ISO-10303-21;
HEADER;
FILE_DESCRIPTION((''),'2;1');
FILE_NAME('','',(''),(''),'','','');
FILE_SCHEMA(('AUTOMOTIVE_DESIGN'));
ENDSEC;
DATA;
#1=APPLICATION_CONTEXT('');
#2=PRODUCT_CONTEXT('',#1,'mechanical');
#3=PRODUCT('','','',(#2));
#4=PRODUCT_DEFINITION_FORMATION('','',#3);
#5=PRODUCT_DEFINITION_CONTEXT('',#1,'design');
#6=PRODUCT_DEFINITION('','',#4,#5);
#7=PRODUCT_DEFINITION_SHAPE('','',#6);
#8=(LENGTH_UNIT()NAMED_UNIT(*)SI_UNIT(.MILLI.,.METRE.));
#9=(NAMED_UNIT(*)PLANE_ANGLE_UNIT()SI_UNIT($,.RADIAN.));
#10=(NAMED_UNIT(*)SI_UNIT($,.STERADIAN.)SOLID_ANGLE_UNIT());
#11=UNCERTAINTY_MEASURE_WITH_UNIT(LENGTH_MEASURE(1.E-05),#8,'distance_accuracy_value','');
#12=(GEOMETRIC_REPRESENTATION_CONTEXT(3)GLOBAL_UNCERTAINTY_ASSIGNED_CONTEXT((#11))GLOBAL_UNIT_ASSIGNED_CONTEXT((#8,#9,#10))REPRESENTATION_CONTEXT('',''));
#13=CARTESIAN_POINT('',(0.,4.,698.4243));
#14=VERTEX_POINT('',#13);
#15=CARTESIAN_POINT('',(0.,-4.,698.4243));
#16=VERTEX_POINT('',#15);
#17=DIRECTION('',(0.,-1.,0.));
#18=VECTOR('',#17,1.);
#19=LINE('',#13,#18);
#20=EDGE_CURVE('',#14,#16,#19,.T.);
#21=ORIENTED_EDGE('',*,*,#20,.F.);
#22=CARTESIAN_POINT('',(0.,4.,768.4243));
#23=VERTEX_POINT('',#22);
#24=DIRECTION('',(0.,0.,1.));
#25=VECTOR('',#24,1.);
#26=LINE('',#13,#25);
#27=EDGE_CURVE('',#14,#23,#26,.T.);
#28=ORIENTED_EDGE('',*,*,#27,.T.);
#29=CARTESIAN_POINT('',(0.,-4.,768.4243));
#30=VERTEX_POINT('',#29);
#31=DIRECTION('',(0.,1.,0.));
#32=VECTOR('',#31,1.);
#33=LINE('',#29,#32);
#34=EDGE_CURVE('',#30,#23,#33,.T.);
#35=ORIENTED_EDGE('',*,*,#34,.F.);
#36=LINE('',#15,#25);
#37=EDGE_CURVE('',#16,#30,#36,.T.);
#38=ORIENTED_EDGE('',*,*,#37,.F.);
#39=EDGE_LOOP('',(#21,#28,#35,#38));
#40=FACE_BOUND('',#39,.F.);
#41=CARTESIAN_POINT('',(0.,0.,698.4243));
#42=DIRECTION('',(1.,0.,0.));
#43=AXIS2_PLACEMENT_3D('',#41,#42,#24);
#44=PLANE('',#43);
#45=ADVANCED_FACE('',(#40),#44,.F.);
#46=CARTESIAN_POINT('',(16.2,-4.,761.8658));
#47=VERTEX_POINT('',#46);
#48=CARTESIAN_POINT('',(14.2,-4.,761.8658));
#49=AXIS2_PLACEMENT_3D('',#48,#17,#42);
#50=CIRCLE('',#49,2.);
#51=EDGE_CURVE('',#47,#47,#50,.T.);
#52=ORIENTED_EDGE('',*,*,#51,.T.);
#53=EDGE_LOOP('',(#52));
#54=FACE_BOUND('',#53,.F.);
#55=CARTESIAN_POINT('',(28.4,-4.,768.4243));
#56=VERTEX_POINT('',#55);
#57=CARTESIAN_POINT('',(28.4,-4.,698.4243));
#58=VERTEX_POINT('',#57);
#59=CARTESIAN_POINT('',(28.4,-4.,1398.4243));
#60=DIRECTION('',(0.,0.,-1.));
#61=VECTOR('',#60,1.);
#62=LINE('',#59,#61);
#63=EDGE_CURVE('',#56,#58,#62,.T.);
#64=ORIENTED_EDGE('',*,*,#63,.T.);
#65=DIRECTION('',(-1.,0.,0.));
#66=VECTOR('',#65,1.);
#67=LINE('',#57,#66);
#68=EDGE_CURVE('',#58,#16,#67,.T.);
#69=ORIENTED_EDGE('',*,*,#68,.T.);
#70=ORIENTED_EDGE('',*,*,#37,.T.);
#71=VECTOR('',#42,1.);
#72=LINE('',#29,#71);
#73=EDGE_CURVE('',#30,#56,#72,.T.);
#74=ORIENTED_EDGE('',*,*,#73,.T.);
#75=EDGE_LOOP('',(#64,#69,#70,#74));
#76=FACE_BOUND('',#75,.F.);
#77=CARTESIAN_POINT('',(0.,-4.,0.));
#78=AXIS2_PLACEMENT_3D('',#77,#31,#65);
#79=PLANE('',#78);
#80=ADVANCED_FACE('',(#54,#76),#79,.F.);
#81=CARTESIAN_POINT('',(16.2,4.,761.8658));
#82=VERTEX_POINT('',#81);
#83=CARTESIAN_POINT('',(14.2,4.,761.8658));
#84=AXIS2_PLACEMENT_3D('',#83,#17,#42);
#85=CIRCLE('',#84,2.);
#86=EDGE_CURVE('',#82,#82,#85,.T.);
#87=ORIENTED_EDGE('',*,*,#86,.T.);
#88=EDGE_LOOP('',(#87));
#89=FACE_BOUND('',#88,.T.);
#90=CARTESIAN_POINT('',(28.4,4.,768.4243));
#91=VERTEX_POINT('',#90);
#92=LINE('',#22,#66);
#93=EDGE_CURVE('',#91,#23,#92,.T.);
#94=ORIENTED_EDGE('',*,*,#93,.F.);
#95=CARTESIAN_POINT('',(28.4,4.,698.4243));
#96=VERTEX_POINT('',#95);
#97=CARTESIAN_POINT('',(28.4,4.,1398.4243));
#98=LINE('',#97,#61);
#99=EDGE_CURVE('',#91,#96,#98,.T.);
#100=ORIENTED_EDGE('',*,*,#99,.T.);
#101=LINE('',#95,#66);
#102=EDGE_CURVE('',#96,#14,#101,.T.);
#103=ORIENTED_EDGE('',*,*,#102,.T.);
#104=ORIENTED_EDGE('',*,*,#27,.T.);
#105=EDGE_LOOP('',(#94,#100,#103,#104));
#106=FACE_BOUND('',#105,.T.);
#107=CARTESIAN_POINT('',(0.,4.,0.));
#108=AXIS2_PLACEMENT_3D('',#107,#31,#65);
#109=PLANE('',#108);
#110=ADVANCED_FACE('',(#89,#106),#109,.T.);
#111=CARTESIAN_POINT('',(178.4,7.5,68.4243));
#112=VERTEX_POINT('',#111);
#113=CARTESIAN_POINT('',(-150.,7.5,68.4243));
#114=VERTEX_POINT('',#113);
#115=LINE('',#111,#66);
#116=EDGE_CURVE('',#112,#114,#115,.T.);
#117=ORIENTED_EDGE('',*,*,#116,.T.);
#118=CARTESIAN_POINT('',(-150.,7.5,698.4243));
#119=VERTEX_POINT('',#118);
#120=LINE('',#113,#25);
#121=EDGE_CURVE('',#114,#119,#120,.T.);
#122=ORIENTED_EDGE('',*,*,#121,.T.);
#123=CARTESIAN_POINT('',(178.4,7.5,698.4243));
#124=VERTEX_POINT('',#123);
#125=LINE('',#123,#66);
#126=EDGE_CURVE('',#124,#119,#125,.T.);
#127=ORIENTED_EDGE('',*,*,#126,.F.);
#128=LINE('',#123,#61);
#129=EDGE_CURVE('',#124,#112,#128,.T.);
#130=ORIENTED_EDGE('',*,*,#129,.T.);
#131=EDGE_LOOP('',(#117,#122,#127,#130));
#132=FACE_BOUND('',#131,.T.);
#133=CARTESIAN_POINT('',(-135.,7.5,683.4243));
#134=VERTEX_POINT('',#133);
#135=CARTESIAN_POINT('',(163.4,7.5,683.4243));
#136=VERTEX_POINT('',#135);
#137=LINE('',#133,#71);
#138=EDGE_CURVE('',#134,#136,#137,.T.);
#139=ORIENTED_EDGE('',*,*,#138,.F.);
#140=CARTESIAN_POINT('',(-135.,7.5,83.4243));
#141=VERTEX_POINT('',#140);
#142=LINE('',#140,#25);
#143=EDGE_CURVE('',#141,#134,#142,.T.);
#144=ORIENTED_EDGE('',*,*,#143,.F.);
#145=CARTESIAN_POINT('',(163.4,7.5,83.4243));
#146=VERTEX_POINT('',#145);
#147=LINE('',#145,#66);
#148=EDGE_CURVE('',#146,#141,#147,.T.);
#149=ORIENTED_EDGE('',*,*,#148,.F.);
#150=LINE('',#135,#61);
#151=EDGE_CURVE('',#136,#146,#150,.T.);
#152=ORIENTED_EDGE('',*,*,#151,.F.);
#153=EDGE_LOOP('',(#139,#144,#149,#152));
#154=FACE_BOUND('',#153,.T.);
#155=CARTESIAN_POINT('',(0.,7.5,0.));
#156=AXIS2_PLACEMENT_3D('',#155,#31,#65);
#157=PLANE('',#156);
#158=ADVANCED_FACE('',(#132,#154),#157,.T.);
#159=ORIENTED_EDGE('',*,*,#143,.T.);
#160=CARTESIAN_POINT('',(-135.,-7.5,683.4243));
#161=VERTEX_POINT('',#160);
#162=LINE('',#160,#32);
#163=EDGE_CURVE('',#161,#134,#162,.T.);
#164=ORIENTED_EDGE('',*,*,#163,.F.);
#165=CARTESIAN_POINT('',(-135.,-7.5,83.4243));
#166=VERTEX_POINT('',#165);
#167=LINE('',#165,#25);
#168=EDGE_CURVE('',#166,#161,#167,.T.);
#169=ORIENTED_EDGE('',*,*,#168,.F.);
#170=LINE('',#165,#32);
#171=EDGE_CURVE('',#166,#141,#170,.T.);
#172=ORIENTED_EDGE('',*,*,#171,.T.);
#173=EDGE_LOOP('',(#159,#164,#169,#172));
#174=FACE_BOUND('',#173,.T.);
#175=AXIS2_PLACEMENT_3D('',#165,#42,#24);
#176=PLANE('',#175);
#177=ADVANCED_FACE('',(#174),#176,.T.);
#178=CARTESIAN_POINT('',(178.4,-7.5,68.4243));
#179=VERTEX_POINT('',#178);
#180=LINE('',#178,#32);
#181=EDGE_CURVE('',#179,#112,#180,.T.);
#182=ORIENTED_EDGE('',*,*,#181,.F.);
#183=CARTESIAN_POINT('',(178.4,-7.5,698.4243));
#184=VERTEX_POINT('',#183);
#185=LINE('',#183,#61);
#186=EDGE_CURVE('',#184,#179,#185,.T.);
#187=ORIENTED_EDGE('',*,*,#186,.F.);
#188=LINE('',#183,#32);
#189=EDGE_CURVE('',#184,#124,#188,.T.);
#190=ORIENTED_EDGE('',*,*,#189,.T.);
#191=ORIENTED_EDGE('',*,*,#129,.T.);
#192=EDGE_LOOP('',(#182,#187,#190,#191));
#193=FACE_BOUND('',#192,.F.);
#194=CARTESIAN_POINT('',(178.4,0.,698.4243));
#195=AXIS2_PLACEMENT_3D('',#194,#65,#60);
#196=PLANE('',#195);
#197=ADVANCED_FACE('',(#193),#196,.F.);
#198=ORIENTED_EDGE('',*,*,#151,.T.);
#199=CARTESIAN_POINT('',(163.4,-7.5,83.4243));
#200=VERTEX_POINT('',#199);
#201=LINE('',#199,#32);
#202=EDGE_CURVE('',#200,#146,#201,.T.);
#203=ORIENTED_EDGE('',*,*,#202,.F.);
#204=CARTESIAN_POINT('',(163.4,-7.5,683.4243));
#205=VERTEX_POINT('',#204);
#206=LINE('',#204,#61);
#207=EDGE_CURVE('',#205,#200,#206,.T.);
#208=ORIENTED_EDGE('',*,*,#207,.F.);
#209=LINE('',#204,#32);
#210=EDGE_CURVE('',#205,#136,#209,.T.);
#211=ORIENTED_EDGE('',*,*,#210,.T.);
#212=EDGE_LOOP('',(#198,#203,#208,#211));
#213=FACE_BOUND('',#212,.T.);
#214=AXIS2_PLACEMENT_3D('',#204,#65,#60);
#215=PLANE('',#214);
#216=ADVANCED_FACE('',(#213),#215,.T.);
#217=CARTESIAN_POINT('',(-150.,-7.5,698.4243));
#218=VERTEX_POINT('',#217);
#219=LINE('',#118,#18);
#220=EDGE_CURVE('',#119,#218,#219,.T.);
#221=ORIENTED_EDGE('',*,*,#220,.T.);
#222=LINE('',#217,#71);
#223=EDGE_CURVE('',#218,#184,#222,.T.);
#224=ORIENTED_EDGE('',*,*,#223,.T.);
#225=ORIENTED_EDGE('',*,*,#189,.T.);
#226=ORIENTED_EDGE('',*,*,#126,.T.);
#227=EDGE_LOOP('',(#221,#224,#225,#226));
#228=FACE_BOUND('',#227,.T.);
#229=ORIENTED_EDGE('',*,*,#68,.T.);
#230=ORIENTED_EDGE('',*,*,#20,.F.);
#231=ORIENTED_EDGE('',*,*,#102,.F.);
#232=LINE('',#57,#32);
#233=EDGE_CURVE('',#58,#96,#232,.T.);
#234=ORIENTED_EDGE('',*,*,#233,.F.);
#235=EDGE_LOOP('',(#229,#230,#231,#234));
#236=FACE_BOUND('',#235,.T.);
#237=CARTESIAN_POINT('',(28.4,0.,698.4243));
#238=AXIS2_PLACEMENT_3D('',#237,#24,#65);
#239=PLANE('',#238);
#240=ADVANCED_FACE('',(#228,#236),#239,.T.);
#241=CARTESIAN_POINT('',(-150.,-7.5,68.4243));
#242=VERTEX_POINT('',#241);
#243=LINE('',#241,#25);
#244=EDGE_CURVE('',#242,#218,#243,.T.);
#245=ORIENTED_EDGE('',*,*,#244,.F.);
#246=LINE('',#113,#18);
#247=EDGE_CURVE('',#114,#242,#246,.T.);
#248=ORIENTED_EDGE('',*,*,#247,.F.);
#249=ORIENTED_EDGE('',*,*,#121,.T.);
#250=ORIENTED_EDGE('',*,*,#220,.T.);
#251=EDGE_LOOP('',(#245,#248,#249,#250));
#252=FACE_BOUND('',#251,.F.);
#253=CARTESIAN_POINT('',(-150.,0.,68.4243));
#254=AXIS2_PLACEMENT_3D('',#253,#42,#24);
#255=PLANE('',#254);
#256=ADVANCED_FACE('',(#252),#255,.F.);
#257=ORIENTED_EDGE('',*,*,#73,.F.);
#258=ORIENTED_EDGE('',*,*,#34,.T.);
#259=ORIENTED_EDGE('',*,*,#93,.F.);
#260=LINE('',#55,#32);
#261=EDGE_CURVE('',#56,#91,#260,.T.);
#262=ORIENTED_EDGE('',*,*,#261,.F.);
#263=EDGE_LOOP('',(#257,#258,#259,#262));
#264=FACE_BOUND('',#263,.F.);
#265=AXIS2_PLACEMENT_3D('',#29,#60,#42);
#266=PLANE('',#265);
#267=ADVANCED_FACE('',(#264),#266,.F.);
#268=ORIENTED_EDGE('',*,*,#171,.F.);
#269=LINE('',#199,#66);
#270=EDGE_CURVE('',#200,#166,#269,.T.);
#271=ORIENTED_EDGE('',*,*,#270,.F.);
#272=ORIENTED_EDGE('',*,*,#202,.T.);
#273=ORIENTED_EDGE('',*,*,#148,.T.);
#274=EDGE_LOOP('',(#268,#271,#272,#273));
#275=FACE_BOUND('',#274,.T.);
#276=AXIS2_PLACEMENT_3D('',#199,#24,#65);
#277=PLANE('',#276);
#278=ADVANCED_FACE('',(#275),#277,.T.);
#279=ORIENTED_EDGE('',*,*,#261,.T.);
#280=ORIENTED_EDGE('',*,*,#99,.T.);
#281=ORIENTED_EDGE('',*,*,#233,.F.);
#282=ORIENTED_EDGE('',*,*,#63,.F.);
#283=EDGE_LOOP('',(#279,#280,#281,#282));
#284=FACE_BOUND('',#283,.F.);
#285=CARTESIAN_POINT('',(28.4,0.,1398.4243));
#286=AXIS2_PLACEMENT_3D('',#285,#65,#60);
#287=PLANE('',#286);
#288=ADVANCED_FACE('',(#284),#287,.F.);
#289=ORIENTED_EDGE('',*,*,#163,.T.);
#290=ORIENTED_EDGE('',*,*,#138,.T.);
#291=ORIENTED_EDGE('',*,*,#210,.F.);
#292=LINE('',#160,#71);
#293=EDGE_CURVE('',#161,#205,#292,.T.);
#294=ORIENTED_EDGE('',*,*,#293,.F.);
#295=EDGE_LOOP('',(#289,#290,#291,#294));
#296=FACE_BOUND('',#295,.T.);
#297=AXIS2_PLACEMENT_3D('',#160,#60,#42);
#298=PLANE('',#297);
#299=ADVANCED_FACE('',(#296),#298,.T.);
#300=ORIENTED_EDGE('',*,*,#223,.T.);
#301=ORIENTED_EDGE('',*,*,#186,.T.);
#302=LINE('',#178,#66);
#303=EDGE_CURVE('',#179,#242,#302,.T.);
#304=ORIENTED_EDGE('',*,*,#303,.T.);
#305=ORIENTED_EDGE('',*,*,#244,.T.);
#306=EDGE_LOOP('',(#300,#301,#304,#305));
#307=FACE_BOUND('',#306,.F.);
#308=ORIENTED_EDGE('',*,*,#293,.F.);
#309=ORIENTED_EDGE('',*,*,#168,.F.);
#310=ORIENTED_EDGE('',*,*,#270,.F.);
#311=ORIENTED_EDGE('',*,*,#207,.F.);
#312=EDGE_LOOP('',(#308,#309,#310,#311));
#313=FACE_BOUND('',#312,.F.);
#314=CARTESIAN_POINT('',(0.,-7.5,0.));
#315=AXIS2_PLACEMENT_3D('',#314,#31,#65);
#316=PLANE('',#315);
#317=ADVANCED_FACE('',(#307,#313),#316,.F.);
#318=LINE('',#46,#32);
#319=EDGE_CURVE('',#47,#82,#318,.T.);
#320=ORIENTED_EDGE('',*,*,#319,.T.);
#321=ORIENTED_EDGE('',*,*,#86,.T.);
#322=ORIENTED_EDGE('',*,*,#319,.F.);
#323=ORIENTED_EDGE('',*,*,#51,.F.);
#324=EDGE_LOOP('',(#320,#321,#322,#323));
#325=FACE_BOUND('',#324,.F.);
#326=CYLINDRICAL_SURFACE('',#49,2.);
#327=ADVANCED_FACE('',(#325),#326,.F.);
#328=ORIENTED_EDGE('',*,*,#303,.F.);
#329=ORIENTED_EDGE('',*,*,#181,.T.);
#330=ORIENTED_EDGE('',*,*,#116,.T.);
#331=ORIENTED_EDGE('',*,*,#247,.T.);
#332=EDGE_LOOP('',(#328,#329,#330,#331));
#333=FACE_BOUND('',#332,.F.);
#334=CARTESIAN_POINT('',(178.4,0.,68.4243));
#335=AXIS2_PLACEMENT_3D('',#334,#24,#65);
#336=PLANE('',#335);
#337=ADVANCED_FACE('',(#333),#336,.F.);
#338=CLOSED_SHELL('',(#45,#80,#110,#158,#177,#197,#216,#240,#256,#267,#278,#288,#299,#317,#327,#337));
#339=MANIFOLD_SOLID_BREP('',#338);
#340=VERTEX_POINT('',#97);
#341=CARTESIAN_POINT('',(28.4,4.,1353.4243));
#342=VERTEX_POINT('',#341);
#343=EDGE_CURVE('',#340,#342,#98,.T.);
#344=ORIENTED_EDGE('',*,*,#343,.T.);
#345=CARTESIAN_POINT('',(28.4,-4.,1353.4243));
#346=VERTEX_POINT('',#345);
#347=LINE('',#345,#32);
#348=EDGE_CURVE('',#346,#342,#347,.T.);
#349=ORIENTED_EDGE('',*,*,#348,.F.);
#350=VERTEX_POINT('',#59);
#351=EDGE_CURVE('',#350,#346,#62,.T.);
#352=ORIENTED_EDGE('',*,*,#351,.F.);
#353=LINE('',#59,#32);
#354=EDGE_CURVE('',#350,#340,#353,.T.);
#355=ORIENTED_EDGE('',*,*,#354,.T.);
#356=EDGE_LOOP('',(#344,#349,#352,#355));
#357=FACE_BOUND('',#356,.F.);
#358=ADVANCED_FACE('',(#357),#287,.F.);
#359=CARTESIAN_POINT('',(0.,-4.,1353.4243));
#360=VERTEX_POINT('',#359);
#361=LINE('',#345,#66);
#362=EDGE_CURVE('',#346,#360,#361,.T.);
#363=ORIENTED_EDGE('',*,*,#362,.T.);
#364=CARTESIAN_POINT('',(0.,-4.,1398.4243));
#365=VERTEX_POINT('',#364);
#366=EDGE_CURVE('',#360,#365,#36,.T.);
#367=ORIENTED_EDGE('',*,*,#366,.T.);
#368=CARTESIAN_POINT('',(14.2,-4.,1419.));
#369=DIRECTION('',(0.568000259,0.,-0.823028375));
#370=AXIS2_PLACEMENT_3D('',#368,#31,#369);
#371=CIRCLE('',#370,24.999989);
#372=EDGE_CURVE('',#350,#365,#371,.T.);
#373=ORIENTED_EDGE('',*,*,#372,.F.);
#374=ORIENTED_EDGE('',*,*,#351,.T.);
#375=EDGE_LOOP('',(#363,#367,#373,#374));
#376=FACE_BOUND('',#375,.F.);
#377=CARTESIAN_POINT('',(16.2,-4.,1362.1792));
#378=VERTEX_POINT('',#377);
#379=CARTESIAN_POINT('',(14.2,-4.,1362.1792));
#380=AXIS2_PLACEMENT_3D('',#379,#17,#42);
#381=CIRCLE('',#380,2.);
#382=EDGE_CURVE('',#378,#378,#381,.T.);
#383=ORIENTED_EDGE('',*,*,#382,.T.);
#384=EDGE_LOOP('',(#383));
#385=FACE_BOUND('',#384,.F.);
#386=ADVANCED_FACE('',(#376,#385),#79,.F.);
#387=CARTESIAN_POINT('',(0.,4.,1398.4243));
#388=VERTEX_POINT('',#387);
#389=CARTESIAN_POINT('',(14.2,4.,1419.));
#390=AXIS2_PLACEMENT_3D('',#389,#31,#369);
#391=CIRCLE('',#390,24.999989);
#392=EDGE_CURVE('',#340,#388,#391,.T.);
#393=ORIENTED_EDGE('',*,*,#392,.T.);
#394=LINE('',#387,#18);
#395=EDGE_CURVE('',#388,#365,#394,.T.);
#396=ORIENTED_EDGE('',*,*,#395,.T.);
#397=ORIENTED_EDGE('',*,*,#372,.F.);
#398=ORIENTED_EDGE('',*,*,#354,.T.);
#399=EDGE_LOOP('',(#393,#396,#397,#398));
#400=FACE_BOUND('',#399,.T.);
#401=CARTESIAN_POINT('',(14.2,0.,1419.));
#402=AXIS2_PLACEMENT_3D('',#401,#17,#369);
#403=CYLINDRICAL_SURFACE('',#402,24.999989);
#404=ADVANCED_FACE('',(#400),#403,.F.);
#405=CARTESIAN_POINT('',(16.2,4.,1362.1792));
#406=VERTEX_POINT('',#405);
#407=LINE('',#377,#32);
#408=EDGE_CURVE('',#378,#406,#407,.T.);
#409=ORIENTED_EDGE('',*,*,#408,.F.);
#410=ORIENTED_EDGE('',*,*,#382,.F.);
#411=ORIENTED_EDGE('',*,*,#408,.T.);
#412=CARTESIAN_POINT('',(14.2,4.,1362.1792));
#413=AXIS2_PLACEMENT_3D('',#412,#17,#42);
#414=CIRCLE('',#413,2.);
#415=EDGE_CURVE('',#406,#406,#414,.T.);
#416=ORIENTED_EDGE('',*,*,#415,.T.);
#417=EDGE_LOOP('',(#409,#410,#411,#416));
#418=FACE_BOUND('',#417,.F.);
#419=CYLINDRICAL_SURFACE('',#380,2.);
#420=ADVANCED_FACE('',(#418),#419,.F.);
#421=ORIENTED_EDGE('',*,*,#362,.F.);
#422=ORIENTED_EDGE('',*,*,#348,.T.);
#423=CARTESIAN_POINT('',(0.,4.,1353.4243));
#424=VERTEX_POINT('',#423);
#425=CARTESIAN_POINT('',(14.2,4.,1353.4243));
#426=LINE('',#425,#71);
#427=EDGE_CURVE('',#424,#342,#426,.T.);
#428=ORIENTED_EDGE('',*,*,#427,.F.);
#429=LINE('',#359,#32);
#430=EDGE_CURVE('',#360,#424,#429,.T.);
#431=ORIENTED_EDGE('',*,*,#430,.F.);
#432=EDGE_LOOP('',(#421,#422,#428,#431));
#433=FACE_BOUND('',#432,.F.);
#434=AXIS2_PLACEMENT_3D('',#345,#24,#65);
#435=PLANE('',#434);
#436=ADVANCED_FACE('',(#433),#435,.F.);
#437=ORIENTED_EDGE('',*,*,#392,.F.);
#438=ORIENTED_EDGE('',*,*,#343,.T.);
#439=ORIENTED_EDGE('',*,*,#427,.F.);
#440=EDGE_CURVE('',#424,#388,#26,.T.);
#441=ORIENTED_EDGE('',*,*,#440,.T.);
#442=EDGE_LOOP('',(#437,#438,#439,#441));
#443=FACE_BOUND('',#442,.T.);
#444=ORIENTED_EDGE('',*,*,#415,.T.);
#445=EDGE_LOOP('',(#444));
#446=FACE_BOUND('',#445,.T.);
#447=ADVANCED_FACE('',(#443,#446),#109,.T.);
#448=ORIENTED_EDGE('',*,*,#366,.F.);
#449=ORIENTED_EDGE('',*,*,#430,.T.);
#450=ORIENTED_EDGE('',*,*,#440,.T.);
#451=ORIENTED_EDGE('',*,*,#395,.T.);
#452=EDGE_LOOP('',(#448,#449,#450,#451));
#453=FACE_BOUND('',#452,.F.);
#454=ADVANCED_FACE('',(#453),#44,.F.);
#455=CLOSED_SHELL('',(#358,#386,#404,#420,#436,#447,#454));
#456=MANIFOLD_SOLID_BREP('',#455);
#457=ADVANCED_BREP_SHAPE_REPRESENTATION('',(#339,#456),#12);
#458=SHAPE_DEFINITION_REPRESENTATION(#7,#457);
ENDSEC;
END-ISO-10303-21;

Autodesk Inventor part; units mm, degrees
ref_plane "YZ Plane" through (0, 0, 0) normal (1, 0, 0) x (0, 1, 0)
ref_plane "XZ Plane" through (0, 0, 0) normal (0, 1, 0) x (-1, 0, 0)
sketch "Boceto2" plane through (0, 0, 0) normal (0, 1, 0) x (-1, 0, 0)
  line L0 (350, 0) -> (-350, 0)
  line L1 (-350, 0) -> (-350, 1000)
  line L2 (-120, 1500) -> (80, 1500)
  line L3 (350, 1000) -> (350, 0)
  line L4 (80, 1000) -> (80, 1500)
  line L5 (-120, 1000) -> (-120, 1500)
  line L6 (350, 1000) -> (80, 1000)
  line L7 (-120, 1000) -> (-350, 1000)
  arc A0 (-28.4, 1398.4243) -> (0, 1398.4243) centre (-14.2, 1419) ccw
  line L8 (-28.4, 1398.4243) -> (-28.4, 698.4243)
  line L9 (-28.4, 698.4243) -> (0, 698.4243)
  line L10 (0, 698.4243) -> (0, 1398.4243)
  line L11 (150, 698.4243) -> (-178.4, 698.4243)
  line L12 (-178.4, 698.4243) -> (-178.4, 68.4243)
  line L13 (-178.4, 68.4243) -> (150, 68.4243)
  line L14 (150, 68.4243) -> (150, 698.4243)
  point P0 (-14.2, 698.4243)
  dimension "d16" = 105.8
  dimension "d17" = 81
  dimension "d18" = 700
  dimension "d19" = 28.4
  dimension "d21" = 630
  dimension "d22" = 150
  dimension "d23" = 150
  dimension "d24" = 0
extrude "Extrusión1" add sketch "Boceto2" along normal mid plane 15 contours L9 L11 L14 L13 L12
extrude "Extrusión2" add sketch "Boceto2" along normal mid plane 8 contours A0 L10 L9 L8
sketch "Boceto3" plane through (0, -7.5, 0) normal (0, -1, 0) x (1, 0, 0)
  line L0 (-150, 698.4243) -> (178.4, 698.4243) projected
  line L1 (178.4, 698.4243) -> (178.4, 68.4243) projected
  line L2 (-150, 698.4243) -> (178.4, 698.4243)
  line L3 (178.4, 698.4243) -> (178.4, 68.4243)
  line L4 (178.4, 68.4243) -> (-150, 68.4243)
  line L5 (-150, 68.4243) -> (-150, 698.4243)
  line L6 (-135, 683.4243) -> (163.4, 683.4243)
  line L7 (163.4, 683.4243) -> (163.4, 83.4243)
  line L8 (163.4, 83.4243) -> (-135, 83.4243)
  line L9 (-135, 83.4243) -> (-135, 683.4243)
  point P0 (0, 0)
  dimension "d29" = 15
  dimension "d30" = 15
  dimension "d31" = 15
  dimension "d32" = 15
  dimension "d49" = 630
extrude "Extrusión3" cut sketch "Boceto3" against normal blind 15 contours L6 L7 L8 L9
sketch "Boceto4" plane through (0, -4, 0) normal (0, -1, 0) x (1, 0, 0)
  line L0 (0, 698.4243) -> (0, 1398.4243) projected
  line L1 (28.4, 1398.4243) -> (28.4, 698.4243) projected
  line L2 (0, 768.4243) -> (28.4, 768.4243)
  line L3 (28.4, 768.4243) -> (28.4, 1353.4243)
  line L4 (28.4, 1353.4243) -> (0, 1353.4243)
  line L5 (0, 1353.4243) -> (0, 768.4243)
  line L6 (178.4, 698.4243) -> (-150, 698.4243) projected
  circle A0 centre (14.2, 1362.1792) radius 2
  circle A1 centre (14.2, 761.8658) radius 2
  point P0 (0, 0)
  point P1 (14.2, 698.4243)
  point P2 (14.2, 1353.4243)
  point P3 (0, 1353.4243)
  dimension "d35" = 70
  dimension "d36" = 45
  dimension "d37" = 4
  dimension "d38" = 4
extrude "Extrusión4" cut sketch "Boceto4" against normal blind 15 contours L0 L4 L1 L2 | A0 | A1
ref_plane "Plano de trabajo1" through (0, 0, 0) normal (0, -1, 0) x (1, 0, 0)
sketch "Boceto5" plane through (0, 0, 0) normal (0, -1, 0) x (1, 0, 0)
  circle A0 centre (14.2, 1362.1792) radius 2
  point P0 (0, 0)
  point P1 (14.2, 761.8658)
  point P2 (14.2, 759.8658)
  point P3 (14.2, 763.8658)
  point P4 (14.2, 1364.1792)
  point P5 (14.2, 1360.1792)
sketch "Boceto6" plane through (178.4, 7.5, 68.4243) normal (0, 0, -1) x (-1, 0, 0)
  line L0 (0, -15) -> (0, 0) projected
  line L1 (0, 0) -> (328.4, 0) projected
  point P0 (178.4, -7.5)
  point P1 (164.2, -7.5)
  point P2 (0, -7.5)
  dimension "d41" = 164.2
  dimension "d42" = 7.5
properties part number "Marco_apm_002-1"
